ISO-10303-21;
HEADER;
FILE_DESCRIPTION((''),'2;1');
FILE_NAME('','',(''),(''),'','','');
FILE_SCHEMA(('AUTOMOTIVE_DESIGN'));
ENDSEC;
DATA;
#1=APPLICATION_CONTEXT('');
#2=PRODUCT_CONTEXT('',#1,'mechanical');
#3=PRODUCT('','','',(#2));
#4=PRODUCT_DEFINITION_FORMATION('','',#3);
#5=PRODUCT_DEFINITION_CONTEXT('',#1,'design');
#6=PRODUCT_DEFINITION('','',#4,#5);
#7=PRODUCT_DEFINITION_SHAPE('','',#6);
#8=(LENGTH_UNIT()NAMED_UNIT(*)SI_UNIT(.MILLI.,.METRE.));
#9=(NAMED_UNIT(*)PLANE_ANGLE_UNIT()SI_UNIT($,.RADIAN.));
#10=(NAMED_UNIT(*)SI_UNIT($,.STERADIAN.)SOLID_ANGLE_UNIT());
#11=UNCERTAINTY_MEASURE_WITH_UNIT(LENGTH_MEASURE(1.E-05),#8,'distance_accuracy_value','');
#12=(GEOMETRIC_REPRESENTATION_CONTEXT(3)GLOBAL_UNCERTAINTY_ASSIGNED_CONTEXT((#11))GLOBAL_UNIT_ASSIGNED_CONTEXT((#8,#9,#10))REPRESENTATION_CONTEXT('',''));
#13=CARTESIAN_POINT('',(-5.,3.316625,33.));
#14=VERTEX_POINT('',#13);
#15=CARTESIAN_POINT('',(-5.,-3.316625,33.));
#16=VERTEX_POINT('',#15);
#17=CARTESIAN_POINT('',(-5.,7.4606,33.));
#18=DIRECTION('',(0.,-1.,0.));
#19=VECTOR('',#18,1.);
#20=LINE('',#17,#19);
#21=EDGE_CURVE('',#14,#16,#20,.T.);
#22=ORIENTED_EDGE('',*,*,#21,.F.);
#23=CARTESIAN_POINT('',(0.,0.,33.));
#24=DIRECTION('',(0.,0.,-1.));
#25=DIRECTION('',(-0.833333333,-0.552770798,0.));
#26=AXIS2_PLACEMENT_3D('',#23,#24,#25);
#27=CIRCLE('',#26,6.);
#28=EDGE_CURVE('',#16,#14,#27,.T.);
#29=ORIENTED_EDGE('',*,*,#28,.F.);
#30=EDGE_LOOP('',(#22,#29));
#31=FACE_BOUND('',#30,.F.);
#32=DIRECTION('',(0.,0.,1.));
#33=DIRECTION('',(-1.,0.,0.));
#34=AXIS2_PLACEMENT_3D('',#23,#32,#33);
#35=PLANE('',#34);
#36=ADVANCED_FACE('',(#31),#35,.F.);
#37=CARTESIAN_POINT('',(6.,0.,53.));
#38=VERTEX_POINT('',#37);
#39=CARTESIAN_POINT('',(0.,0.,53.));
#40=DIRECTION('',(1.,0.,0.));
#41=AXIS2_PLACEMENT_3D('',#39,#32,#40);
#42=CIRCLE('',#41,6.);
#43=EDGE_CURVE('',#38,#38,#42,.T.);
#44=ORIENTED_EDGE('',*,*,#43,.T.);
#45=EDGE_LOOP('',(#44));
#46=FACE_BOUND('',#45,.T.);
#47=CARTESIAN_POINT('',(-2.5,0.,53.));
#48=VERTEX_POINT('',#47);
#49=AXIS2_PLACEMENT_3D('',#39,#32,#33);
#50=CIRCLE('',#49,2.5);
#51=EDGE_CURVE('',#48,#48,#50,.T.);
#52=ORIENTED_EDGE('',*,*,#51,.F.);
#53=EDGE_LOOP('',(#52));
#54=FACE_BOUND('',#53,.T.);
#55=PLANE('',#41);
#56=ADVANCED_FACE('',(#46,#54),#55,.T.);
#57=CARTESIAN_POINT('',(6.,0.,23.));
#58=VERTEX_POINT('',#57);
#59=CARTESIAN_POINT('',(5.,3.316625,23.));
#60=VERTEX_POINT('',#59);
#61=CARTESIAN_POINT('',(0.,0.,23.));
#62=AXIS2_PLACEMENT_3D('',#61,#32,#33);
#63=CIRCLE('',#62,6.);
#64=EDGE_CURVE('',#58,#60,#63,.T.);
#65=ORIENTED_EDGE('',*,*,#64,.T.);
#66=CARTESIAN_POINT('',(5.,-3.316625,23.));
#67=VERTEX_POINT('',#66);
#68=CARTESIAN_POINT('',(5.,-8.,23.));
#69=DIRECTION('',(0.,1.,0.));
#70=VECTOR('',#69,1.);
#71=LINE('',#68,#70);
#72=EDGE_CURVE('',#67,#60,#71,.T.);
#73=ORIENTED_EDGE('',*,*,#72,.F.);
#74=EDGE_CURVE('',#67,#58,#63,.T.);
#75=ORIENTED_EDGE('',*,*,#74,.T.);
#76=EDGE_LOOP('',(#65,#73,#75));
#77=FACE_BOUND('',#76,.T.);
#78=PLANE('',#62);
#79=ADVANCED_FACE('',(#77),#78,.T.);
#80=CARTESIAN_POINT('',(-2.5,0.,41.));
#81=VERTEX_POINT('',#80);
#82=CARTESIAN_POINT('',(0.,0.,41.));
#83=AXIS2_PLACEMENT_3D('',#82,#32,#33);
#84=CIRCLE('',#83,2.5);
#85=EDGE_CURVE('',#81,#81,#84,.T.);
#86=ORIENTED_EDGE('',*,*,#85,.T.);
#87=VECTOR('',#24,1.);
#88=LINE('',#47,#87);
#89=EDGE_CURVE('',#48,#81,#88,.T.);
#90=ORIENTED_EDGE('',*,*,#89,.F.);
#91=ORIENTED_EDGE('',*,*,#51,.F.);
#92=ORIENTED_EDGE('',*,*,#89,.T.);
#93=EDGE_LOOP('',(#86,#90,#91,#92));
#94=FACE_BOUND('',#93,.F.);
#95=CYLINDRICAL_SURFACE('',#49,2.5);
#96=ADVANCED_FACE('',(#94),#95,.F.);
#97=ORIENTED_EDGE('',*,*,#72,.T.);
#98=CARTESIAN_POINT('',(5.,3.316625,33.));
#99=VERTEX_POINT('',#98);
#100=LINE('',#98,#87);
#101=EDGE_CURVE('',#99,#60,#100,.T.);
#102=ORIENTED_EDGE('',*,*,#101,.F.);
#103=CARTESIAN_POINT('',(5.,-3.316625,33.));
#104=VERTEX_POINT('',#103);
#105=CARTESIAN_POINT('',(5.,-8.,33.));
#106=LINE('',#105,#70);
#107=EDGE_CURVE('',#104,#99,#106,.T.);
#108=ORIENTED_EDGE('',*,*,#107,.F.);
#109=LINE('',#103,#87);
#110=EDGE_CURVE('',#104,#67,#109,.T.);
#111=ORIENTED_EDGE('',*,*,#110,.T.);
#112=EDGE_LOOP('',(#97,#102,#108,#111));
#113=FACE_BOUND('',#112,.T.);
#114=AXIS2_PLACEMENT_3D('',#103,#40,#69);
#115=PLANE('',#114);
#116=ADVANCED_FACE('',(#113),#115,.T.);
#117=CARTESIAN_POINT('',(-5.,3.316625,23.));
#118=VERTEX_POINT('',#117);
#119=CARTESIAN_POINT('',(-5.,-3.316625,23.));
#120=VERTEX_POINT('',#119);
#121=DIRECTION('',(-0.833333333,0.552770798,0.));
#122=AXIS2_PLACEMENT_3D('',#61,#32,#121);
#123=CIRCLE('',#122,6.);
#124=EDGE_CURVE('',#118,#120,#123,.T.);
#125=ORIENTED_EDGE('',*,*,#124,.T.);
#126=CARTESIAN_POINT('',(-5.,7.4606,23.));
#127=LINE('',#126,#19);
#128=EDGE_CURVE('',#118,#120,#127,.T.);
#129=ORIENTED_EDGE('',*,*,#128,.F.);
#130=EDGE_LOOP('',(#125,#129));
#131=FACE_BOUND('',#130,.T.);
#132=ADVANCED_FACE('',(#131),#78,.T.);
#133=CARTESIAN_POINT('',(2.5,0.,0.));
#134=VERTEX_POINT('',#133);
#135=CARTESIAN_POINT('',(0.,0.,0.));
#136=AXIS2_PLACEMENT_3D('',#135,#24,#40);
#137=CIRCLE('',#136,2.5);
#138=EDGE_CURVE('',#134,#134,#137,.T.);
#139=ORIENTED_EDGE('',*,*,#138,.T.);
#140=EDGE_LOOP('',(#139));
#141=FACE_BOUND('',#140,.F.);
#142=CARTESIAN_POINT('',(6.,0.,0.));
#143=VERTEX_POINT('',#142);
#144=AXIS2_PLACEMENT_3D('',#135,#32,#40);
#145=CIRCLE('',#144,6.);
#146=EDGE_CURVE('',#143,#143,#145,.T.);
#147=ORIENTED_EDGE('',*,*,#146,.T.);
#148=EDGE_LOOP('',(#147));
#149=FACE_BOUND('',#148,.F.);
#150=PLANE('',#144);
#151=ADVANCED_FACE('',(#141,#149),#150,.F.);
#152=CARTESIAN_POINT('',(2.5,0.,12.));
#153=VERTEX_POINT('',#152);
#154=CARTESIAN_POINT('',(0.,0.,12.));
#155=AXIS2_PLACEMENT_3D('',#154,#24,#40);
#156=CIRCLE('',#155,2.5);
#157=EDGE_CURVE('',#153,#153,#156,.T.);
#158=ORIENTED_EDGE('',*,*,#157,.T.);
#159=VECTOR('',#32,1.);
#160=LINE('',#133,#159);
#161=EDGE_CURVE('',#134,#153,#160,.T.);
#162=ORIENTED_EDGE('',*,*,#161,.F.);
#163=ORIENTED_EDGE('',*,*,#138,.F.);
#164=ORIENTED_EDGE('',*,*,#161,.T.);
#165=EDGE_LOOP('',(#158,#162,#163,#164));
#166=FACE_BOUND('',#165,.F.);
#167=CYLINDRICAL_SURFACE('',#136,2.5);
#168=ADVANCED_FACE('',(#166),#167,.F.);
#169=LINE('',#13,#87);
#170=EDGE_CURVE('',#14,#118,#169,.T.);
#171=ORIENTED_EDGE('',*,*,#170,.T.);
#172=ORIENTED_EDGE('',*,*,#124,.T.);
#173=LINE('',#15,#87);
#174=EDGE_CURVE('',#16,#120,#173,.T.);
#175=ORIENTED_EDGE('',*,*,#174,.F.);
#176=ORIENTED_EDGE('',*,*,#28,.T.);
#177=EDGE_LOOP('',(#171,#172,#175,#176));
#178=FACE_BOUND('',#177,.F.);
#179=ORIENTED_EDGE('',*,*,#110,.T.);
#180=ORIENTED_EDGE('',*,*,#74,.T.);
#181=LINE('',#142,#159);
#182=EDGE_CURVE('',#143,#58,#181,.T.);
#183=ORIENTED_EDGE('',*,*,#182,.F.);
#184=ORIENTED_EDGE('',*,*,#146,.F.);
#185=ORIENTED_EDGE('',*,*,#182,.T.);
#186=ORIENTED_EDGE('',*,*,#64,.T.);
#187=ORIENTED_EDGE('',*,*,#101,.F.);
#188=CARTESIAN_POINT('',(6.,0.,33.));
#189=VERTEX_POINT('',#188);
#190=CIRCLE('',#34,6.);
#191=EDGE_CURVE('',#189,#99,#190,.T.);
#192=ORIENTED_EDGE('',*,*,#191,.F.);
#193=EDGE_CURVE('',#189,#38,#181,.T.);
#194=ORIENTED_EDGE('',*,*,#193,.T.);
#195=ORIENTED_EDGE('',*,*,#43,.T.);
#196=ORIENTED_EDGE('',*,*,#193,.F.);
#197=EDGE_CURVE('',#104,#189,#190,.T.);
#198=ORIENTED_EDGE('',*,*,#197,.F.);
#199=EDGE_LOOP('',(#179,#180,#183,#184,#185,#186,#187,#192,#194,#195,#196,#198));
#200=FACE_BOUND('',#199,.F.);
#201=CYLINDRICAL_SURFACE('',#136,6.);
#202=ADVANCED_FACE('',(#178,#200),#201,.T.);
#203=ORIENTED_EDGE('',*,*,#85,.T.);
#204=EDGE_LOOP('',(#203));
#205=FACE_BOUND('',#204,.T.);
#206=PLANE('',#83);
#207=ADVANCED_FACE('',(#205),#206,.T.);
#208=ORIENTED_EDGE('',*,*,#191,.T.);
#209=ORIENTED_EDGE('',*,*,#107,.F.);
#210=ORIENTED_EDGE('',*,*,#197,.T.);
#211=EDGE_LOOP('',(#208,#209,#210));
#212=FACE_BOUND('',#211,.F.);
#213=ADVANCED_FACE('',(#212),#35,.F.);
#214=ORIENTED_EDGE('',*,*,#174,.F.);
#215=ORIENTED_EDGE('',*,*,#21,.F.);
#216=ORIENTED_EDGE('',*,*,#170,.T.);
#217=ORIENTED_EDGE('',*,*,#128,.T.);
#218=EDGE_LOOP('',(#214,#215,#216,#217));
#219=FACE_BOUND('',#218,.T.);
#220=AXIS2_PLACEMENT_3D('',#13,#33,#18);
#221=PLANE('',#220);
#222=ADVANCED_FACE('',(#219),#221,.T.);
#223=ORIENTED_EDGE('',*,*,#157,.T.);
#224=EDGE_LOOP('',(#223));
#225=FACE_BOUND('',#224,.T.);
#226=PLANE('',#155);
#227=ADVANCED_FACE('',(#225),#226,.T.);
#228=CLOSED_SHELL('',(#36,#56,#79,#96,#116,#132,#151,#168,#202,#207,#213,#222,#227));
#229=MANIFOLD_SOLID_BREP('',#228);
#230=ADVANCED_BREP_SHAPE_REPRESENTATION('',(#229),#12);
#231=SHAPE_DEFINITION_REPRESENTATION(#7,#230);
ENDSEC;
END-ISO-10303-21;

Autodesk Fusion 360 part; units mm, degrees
sketch "Esquisse1" plane through (0, 0, 0) normal (0, 0, 1) x (1, 0, 0)
  circle A0 centre (0, 0) radius 6
  dimension "d1" = 12
extrude "Extrusion1" add sketch "Esquisse1" along normal blind 53
sketch "Esquisse2" plane through (0, 0, 53) normal (0, 0, 1) x (-1, 0, 0)
  circle A0 centre (0, 0) radius 6
  circle A1 centre (0, 0) radius 2.5
  dimension "d5" = 5
extrude "Extrusion2" cut sketch "Esquisse2" against normal blind 12 contours A1
sketch "Esquisse3" plane through (0, 0, 0) normal (0, 0, -1) x (1, 0, 0)
  circle A0 centre (0, 0) radius 6
  circle A1 centre (0, 0) radius 2.5
  dimension "d8" = 5
extrude "Extrusion3" cut sketch "Esquisse3" against normal blind 12 contours A1
sketch "Esquisse4" plane through (0, 0, 53) normal (0, 0, 1) x (-1, 0, 0)
  circle A0 centre (0, 0) radius 2.5
  circle A1 centre (0, 0) radius 6
  line L0 (5, 8) -> (-5, 8)
  line L1 (-5, 8) -> (-5, -7.4606)
  line L2 (-5, -7.4606) -> (5, -7.4606)
  line L3 (5, -7.4606) -> (5, 8)
  dimension "d11" = 5
  dimension "d12" = 10
extrude "Extrusion4" cut sketch "Esquisse4" against normal blind 10 from surface at -20 contours A1 L3 | A1 L1
